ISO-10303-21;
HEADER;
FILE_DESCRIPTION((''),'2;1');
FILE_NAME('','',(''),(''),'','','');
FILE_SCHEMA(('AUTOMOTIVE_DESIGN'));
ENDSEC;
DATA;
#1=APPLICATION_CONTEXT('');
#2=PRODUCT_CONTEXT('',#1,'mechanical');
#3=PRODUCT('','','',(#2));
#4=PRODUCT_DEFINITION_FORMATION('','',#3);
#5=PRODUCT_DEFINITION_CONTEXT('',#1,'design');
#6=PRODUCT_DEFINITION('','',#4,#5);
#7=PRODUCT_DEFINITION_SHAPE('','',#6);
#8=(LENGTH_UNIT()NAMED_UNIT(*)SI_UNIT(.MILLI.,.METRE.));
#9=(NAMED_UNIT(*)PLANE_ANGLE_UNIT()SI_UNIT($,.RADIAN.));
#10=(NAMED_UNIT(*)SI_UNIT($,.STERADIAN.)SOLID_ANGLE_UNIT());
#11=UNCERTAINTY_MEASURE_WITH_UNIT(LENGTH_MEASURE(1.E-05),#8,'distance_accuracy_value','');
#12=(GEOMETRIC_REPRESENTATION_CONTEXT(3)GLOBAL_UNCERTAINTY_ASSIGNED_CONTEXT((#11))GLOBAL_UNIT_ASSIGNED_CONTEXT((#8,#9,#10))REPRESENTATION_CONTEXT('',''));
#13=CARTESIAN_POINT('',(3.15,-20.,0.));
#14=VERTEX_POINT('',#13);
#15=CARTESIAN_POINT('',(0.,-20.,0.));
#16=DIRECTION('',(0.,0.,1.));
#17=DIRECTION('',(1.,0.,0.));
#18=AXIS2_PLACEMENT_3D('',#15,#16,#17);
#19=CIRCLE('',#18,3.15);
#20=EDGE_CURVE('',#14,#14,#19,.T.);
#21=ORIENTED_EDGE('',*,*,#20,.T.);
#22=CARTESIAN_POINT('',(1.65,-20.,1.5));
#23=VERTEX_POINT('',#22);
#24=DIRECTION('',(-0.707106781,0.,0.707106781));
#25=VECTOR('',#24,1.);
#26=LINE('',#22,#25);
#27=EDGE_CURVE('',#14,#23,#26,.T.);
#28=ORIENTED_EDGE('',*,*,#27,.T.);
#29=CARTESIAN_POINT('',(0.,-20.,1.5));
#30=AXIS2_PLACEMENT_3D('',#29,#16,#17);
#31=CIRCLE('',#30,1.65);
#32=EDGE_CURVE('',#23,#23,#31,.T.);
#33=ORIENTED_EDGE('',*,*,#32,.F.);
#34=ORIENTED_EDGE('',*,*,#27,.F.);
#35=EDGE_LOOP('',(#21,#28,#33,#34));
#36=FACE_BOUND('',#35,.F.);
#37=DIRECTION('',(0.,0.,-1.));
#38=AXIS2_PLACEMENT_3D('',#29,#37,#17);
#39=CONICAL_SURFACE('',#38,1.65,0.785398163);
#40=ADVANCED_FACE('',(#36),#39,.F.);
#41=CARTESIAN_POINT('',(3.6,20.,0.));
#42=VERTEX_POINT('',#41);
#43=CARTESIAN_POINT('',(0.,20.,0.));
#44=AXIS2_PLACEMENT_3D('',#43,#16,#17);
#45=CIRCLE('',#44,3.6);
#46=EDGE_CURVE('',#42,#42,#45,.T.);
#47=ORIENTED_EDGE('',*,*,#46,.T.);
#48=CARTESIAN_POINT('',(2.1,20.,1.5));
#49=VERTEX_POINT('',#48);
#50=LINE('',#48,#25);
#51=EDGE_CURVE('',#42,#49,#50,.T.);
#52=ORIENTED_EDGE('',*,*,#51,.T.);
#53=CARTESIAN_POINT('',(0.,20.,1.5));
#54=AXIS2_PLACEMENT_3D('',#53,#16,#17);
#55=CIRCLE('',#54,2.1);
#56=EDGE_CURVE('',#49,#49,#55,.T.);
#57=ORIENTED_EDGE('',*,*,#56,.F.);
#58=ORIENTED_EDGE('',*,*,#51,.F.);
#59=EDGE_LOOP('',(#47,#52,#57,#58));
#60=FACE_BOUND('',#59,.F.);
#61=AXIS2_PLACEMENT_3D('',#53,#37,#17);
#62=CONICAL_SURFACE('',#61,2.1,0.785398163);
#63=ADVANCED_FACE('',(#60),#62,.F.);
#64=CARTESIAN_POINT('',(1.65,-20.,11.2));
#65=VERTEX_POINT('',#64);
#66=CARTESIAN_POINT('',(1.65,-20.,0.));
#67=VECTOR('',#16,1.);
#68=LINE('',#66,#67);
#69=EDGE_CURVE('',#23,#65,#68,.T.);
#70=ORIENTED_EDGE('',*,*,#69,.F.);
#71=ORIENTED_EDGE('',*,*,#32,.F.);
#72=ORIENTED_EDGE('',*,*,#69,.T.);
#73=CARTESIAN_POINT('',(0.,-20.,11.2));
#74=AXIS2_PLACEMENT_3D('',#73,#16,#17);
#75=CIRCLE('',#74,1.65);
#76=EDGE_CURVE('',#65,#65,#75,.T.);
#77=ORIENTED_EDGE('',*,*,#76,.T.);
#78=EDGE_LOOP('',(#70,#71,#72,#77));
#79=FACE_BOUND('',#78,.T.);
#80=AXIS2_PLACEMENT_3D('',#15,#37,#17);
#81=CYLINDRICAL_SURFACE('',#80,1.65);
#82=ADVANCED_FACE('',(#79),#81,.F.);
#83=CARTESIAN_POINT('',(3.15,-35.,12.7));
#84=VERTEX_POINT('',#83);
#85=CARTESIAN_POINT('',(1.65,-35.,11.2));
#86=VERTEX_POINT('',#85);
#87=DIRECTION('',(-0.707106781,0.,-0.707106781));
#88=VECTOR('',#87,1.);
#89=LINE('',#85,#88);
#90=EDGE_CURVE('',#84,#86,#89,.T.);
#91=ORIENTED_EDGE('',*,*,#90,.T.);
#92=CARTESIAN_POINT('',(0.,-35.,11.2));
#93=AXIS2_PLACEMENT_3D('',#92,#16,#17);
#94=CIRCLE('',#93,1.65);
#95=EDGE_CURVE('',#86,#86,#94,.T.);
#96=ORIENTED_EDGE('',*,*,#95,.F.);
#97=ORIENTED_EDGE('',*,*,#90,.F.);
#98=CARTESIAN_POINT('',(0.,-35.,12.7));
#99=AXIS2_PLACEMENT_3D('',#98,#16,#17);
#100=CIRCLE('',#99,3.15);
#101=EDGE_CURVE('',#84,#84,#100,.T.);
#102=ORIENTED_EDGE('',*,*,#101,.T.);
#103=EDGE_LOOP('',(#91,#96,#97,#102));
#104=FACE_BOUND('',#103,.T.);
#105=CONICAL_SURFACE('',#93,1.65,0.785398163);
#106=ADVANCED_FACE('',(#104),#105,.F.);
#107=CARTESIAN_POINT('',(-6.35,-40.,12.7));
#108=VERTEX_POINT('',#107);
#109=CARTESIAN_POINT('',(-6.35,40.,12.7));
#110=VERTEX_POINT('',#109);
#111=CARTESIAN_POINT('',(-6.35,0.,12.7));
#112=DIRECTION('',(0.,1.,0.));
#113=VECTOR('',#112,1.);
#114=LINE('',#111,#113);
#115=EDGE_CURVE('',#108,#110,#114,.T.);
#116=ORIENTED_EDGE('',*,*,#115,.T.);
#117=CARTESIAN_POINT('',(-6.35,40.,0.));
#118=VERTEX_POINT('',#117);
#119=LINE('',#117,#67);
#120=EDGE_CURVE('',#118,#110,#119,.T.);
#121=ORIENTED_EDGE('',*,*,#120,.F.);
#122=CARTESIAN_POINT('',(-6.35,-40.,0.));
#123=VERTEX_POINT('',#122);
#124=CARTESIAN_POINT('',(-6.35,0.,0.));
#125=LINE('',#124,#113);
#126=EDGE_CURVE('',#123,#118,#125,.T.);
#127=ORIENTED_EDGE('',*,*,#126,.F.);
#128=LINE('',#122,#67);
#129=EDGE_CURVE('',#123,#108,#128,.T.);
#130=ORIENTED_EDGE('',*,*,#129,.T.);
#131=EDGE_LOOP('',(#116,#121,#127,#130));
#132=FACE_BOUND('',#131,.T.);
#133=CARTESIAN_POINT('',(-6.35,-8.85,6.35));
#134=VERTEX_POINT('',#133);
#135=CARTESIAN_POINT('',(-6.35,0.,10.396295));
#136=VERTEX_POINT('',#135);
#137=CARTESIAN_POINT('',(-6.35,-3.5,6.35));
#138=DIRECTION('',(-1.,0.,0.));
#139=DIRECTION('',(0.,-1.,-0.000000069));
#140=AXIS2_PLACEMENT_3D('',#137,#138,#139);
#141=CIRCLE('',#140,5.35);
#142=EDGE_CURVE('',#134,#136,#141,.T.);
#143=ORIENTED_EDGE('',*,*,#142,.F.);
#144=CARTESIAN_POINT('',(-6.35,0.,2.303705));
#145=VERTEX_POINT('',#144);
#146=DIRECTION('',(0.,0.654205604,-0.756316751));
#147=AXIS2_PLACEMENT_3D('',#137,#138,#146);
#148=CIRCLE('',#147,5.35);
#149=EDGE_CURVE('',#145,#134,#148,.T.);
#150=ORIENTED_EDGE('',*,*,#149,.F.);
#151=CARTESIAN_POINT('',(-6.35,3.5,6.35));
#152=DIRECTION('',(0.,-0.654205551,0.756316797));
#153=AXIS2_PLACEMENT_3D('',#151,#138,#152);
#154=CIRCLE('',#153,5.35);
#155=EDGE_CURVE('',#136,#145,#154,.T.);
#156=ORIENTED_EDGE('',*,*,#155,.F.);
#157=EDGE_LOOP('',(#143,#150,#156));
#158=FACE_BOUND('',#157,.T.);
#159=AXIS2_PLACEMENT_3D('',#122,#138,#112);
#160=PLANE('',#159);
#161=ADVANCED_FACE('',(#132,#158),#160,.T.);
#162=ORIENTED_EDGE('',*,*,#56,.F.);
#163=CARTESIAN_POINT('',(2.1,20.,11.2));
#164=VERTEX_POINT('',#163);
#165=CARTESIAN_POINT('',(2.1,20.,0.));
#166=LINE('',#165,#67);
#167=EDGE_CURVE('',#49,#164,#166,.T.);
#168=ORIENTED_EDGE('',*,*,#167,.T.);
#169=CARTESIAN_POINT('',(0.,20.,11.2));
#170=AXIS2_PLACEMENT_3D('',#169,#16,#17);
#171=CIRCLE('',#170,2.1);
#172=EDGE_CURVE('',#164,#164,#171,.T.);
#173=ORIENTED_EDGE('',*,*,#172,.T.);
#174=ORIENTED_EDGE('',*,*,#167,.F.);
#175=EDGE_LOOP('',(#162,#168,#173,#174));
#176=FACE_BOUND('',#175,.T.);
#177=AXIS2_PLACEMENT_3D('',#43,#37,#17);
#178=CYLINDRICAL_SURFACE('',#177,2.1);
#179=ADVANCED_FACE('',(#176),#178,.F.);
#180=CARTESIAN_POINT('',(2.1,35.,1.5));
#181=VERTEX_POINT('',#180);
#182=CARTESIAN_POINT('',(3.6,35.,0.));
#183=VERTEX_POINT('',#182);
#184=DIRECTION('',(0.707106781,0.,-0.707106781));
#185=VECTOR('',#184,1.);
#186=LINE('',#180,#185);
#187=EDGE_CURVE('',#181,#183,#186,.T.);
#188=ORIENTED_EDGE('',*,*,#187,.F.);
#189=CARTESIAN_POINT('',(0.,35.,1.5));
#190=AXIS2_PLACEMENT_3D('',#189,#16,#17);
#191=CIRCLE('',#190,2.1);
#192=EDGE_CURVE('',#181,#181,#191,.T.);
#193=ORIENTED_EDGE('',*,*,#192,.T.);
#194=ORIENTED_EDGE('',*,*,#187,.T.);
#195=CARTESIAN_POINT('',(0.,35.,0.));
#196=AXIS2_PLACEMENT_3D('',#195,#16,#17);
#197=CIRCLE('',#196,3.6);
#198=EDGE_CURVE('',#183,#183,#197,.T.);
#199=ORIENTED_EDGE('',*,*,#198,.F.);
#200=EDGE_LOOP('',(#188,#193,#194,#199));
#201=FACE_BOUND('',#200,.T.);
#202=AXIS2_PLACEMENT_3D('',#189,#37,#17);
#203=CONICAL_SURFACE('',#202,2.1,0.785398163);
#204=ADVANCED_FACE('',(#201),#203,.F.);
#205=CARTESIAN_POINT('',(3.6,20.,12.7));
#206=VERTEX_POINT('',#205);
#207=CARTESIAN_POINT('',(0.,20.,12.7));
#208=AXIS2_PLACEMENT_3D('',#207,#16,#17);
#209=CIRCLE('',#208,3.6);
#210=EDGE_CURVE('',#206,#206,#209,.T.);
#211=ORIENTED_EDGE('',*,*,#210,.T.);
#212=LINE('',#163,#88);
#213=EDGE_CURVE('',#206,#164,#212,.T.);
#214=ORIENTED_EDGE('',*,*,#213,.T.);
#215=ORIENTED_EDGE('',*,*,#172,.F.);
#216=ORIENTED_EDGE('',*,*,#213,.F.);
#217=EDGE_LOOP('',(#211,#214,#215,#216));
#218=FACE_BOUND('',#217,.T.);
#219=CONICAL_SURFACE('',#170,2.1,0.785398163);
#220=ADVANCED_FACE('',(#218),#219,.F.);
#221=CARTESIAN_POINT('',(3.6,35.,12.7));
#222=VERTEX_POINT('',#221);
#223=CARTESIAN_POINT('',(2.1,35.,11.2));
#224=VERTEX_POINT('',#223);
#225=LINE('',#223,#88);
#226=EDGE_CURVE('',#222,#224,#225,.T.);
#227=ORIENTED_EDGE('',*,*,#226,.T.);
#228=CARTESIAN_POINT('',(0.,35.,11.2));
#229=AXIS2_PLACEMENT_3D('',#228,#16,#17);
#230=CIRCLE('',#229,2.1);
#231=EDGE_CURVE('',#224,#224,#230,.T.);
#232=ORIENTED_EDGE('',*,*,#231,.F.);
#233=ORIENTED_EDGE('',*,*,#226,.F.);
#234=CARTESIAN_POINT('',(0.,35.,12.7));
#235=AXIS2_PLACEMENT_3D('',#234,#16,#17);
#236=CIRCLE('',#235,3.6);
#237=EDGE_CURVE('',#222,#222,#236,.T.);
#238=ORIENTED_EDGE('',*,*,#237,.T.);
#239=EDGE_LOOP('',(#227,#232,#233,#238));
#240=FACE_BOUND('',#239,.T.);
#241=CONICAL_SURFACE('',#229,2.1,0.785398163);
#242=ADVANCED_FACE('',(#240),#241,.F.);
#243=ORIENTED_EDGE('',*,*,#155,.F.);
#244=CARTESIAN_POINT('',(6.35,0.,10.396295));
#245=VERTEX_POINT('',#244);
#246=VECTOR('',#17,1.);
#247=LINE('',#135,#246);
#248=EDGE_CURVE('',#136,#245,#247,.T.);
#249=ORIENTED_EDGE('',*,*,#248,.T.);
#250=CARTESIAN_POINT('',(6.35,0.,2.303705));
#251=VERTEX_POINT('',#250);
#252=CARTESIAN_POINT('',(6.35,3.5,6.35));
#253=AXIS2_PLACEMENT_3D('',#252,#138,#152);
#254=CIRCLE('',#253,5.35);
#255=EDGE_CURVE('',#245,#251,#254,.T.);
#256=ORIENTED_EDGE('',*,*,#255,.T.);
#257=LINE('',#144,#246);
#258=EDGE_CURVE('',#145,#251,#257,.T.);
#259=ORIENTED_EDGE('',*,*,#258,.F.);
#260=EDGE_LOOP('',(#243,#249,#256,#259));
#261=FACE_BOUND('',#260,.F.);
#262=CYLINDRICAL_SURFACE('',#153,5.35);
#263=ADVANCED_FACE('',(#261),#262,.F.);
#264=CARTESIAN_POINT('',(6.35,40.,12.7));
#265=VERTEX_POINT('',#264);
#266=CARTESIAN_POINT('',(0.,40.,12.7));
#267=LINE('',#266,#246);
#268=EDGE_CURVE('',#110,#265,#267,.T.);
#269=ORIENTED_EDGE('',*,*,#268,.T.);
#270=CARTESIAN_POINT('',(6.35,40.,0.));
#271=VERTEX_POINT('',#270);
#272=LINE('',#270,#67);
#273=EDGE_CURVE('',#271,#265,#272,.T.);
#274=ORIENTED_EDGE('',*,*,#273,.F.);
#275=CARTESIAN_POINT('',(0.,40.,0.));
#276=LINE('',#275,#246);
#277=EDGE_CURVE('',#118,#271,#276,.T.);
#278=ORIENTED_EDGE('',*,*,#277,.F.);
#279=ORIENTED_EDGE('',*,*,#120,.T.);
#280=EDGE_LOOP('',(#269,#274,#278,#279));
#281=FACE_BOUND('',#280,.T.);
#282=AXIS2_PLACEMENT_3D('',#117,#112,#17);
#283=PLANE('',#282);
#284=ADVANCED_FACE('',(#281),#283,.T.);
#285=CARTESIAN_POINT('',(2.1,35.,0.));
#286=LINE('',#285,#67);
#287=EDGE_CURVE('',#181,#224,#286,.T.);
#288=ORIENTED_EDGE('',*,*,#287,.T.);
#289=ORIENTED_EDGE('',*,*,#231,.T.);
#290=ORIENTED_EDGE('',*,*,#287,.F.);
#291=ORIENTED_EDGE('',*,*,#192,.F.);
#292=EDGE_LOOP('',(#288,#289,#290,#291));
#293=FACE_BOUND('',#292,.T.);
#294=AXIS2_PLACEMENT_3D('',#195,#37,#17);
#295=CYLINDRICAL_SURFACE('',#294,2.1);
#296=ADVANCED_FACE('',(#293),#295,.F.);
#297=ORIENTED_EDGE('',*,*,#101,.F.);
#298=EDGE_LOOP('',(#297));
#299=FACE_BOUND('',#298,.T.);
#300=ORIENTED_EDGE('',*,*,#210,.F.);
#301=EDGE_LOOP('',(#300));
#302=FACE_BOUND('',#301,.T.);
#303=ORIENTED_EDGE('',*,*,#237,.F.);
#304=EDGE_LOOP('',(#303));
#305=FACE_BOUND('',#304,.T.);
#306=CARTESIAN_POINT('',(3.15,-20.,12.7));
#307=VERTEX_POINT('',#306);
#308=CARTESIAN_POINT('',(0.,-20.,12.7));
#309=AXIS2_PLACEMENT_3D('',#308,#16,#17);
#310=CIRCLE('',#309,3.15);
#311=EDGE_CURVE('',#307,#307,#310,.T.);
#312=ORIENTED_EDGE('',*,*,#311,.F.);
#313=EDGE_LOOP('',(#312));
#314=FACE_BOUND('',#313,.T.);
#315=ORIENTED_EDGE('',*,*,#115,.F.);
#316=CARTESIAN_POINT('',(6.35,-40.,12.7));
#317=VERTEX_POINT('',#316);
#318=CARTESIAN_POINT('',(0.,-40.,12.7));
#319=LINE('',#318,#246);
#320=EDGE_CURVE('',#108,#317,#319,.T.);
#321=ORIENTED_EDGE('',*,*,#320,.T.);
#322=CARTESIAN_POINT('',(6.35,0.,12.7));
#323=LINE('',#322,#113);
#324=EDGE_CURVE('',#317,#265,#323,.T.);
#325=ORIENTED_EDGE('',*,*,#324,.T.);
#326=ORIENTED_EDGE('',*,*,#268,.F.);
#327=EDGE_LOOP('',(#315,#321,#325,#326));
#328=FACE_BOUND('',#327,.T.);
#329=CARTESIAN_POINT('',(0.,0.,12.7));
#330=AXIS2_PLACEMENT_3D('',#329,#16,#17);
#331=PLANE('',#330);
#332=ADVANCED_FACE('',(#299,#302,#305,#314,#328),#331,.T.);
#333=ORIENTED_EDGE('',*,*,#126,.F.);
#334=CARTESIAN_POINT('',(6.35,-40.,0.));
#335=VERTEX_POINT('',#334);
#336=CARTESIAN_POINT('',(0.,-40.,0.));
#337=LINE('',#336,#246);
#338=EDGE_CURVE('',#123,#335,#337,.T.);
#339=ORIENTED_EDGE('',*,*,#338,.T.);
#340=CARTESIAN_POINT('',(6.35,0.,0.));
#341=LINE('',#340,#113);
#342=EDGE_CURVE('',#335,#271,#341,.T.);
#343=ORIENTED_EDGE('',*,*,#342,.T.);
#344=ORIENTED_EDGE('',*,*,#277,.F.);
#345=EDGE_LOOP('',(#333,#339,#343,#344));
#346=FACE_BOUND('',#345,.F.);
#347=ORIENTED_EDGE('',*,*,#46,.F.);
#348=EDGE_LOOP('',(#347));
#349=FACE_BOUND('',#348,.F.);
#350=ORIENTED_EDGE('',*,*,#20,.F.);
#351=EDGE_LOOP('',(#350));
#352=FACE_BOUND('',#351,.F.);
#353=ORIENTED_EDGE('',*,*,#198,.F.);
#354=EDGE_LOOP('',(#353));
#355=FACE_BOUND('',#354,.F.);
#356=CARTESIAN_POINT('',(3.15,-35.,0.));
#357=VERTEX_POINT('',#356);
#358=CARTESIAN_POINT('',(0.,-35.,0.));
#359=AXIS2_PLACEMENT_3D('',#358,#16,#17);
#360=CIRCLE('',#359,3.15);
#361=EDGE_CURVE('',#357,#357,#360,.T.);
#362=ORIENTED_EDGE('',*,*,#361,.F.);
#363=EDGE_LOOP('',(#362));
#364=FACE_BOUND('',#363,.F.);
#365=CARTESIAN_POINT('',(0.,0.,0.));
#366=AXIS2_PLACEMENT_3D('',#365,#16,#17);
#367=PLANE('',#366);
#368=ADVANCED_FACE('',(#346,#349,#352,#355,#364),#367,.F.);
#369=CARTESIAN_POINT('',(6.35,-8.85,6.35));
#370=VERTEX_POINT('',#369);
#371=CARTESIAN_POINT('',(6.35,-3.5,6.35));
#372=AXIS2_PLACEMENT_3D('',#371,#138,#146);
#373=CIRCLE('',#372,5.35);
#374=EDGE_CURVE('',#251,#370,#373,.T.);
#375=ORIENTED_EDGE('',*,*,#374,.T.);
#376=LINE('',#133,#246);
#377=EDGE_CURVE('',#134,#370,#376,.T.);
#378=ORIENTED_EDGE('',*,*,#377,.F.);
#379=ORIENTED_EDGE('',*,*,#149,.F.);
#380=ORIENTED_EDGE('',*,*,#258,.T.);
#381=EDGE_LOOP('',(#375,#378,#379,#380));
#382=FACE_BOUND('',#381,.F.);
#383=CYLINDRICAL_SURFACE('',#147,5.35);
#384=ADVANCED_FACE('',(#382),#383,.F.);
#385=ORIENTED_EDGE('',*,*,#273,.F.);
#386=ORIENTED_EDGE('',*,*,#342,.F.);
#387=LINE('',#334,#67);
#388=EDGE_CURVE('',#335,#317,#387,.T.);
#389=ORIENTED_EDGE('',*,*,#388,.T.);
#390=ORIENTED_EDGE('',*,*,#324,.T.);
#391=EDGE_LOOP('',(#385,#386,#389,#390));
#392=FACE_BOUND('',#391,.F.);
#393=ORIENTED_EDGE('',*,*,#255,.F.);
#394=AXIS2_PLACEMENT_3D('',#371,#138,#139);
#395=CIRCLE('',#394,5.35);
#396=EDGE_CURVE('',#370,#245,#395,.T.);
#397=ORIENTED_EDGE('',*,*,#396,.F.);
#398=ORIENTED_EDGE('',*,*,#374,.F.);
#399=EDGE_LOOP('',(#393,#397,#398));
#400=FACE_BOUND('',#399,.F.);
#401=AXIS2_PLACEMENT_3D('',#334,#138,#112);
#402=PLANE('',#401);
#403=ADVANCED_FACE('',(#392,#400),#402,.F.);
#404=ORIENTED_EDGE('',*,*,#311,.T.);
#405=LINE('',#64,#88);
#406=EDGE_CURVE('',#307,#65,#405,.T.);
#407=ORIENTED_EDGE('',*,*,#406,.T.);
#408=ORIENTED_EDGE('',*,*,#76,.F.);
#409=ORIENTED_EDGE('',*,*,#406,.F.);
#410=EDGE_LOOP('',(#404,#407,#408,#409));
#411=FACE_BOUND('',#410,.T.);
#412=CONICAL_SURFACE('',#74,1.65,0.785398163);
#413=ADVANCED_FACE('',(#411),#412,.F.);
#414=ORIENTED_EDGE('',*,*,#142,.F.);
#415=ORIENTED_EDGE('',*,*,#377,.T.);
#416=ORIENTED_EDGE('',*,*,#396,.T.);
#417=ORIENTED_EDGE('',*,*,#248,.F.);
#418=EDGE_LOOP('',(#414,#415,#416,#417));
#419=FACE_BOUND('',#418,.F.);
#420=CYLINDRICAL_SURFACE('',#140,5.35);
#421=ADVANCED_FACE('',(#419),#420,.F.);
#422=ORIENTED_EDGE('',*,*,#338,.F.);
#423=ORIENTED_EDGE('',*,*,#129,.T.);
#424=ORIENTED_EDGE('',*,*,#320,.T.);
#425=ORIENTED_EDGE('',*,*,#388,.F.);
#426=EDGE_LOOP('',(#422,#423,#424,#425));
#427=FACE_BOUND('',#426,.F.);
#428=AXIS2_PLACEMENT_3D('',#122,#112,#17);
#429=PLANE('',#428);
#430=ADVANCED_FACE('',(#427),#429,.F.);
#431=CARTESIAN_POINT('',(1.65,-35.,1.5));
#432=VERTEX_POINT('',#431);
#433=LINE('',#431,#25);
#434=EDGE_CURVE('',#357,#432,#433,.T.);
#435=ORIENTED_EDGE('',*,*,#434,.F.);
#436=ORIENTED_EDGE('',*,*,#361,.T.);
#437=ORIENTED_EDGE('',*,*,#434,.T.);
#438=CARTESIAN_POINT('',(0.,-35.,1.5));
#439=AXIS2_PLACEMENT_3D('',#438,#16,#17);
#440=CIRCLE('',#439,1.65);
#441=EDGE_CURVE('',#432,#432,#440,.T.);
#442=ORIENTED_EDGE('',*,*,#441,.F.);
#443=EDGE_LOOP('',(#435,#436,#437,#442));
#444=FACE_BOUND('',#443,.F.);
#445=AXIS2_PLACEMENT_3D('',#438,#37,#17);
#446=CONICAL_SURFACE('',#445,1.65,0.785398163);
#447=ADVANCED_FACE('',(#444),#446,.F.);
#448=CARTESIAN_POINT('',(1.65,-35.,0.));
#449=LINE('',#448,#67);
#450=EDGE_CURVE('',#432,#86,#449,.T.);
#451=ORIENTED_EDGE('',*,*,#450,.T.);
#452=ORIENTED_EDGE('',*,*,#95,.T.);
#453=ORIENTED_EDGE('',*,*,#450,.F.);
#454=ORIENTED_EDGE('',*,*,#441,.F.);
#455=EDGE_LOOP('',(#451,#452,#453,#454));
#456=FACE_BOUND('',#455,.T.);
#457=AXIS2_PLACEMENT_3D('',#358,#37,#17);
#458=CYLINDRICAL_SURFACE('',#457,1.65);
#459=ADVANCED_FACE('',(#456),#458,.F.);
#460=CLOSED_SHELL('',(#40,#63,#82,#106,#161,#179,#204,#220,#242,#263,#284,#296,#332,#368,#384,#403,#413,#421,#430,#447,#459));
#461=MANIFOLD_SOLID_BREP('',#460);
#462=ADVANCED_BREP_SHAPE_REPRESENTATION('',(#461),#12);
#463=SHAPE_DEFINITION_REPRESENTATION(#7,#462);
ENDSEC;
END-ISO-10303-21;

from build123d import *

# Parameters (mm, degrees)
F0_W     = 12.7
F0_H     = 80
F0_R     = 1.65
F0_R_2   = 2.1
F1_DEPTH = 12.7
F3_DEPTH = 12.701
F4_SIZE  = 1.5
F5_SIZE  = 1.5


with BuildPart() as f1:
    # F0 (on Top) → F1 (new body)
    with BuildSketch(Plane.XY):
        Rectangle(F0_W, F0_H)
        with Locations((0, -35)):
            Circle(F0_R, mode=Mode.SUBTRACT)
        with Locations((0, -20)):
            Circle(F0_R, mode=Mode.SUBTRACT)
        with Locations((0, 20)):
            Circle(F0_R_2, mode=Mode.SUBTRACT)
        with Locations((0, 35)):
            Circle(F0_R_2, mode=Mode.SUBTRACT)
    extrude(amount=F1_DEPTH)

    # F2 (on face) → F3 (cut, through all)
    with BuildSketch(Plane(origin=(-6.35, 0, 0), x_dir=(0, -1, 0), z_dir=(-1, 0, 0))):
        with BuildLine():
            ThreePointArc((0, 2.303705), (-1.85, 6.35), (0, 10.396295))
            ThreePointArc((0, 10.396295), (-8.85, 6.35), (0, 2.303705))
        make_face()
        with BuildLine():
            ThreePointArc((0, 10.396295), (1.365568, 8.574579), (1.85, 6.35))
            ThreePointArc((1.85, 6.35), (1.365568, 4.125421), (0, 2.303705))
            ThreePointArc((0, 2.303705), (5.724579, 1.484432), (8.85, 6.35))
            ThreePointArc((8.85, 6.35), (5.724579, 11.215568), (0, 10.396295))
        make_face()
        with BuildLine():
            ThreePointArc((0, 2.303705), (1.365568, 4.125421), (1.85, 6.35))
            ThreePointArc((1.85, 6.35), (1.365568, 8.574579), (0, 10.396295))
            ThreePointArc((0, 10.396295), (-1.85, 6.35), (0, 2.303705))
        make_face()
    extrude(amount=-F3_DEPTH, mode=Mode.SUBTRACT)

    # F4
    f4_edges = [f1.edges().sort_by_distance(p)[0] for p in [
        (-2.1, 35, 12.7),
        (-2.1, 20, 12.7),
        (-1.65, -20, 12.7),
        (-1.65, -35, 12.7),
    ]]
    chamfer(f4_edges, length=F4_SIZE)

    # F5
    f5_edges = [f1.edges().sort_by_distance(p)[0] for p in [
        (-2.1, 35, 0),
        (-2.1, 20, 0),
        (-1.65, -20, 0),
        (-1.65, -35, 0),
    ]]
    chamfer(f5_edges, length=F5_SIZE)


solid = f1.part
